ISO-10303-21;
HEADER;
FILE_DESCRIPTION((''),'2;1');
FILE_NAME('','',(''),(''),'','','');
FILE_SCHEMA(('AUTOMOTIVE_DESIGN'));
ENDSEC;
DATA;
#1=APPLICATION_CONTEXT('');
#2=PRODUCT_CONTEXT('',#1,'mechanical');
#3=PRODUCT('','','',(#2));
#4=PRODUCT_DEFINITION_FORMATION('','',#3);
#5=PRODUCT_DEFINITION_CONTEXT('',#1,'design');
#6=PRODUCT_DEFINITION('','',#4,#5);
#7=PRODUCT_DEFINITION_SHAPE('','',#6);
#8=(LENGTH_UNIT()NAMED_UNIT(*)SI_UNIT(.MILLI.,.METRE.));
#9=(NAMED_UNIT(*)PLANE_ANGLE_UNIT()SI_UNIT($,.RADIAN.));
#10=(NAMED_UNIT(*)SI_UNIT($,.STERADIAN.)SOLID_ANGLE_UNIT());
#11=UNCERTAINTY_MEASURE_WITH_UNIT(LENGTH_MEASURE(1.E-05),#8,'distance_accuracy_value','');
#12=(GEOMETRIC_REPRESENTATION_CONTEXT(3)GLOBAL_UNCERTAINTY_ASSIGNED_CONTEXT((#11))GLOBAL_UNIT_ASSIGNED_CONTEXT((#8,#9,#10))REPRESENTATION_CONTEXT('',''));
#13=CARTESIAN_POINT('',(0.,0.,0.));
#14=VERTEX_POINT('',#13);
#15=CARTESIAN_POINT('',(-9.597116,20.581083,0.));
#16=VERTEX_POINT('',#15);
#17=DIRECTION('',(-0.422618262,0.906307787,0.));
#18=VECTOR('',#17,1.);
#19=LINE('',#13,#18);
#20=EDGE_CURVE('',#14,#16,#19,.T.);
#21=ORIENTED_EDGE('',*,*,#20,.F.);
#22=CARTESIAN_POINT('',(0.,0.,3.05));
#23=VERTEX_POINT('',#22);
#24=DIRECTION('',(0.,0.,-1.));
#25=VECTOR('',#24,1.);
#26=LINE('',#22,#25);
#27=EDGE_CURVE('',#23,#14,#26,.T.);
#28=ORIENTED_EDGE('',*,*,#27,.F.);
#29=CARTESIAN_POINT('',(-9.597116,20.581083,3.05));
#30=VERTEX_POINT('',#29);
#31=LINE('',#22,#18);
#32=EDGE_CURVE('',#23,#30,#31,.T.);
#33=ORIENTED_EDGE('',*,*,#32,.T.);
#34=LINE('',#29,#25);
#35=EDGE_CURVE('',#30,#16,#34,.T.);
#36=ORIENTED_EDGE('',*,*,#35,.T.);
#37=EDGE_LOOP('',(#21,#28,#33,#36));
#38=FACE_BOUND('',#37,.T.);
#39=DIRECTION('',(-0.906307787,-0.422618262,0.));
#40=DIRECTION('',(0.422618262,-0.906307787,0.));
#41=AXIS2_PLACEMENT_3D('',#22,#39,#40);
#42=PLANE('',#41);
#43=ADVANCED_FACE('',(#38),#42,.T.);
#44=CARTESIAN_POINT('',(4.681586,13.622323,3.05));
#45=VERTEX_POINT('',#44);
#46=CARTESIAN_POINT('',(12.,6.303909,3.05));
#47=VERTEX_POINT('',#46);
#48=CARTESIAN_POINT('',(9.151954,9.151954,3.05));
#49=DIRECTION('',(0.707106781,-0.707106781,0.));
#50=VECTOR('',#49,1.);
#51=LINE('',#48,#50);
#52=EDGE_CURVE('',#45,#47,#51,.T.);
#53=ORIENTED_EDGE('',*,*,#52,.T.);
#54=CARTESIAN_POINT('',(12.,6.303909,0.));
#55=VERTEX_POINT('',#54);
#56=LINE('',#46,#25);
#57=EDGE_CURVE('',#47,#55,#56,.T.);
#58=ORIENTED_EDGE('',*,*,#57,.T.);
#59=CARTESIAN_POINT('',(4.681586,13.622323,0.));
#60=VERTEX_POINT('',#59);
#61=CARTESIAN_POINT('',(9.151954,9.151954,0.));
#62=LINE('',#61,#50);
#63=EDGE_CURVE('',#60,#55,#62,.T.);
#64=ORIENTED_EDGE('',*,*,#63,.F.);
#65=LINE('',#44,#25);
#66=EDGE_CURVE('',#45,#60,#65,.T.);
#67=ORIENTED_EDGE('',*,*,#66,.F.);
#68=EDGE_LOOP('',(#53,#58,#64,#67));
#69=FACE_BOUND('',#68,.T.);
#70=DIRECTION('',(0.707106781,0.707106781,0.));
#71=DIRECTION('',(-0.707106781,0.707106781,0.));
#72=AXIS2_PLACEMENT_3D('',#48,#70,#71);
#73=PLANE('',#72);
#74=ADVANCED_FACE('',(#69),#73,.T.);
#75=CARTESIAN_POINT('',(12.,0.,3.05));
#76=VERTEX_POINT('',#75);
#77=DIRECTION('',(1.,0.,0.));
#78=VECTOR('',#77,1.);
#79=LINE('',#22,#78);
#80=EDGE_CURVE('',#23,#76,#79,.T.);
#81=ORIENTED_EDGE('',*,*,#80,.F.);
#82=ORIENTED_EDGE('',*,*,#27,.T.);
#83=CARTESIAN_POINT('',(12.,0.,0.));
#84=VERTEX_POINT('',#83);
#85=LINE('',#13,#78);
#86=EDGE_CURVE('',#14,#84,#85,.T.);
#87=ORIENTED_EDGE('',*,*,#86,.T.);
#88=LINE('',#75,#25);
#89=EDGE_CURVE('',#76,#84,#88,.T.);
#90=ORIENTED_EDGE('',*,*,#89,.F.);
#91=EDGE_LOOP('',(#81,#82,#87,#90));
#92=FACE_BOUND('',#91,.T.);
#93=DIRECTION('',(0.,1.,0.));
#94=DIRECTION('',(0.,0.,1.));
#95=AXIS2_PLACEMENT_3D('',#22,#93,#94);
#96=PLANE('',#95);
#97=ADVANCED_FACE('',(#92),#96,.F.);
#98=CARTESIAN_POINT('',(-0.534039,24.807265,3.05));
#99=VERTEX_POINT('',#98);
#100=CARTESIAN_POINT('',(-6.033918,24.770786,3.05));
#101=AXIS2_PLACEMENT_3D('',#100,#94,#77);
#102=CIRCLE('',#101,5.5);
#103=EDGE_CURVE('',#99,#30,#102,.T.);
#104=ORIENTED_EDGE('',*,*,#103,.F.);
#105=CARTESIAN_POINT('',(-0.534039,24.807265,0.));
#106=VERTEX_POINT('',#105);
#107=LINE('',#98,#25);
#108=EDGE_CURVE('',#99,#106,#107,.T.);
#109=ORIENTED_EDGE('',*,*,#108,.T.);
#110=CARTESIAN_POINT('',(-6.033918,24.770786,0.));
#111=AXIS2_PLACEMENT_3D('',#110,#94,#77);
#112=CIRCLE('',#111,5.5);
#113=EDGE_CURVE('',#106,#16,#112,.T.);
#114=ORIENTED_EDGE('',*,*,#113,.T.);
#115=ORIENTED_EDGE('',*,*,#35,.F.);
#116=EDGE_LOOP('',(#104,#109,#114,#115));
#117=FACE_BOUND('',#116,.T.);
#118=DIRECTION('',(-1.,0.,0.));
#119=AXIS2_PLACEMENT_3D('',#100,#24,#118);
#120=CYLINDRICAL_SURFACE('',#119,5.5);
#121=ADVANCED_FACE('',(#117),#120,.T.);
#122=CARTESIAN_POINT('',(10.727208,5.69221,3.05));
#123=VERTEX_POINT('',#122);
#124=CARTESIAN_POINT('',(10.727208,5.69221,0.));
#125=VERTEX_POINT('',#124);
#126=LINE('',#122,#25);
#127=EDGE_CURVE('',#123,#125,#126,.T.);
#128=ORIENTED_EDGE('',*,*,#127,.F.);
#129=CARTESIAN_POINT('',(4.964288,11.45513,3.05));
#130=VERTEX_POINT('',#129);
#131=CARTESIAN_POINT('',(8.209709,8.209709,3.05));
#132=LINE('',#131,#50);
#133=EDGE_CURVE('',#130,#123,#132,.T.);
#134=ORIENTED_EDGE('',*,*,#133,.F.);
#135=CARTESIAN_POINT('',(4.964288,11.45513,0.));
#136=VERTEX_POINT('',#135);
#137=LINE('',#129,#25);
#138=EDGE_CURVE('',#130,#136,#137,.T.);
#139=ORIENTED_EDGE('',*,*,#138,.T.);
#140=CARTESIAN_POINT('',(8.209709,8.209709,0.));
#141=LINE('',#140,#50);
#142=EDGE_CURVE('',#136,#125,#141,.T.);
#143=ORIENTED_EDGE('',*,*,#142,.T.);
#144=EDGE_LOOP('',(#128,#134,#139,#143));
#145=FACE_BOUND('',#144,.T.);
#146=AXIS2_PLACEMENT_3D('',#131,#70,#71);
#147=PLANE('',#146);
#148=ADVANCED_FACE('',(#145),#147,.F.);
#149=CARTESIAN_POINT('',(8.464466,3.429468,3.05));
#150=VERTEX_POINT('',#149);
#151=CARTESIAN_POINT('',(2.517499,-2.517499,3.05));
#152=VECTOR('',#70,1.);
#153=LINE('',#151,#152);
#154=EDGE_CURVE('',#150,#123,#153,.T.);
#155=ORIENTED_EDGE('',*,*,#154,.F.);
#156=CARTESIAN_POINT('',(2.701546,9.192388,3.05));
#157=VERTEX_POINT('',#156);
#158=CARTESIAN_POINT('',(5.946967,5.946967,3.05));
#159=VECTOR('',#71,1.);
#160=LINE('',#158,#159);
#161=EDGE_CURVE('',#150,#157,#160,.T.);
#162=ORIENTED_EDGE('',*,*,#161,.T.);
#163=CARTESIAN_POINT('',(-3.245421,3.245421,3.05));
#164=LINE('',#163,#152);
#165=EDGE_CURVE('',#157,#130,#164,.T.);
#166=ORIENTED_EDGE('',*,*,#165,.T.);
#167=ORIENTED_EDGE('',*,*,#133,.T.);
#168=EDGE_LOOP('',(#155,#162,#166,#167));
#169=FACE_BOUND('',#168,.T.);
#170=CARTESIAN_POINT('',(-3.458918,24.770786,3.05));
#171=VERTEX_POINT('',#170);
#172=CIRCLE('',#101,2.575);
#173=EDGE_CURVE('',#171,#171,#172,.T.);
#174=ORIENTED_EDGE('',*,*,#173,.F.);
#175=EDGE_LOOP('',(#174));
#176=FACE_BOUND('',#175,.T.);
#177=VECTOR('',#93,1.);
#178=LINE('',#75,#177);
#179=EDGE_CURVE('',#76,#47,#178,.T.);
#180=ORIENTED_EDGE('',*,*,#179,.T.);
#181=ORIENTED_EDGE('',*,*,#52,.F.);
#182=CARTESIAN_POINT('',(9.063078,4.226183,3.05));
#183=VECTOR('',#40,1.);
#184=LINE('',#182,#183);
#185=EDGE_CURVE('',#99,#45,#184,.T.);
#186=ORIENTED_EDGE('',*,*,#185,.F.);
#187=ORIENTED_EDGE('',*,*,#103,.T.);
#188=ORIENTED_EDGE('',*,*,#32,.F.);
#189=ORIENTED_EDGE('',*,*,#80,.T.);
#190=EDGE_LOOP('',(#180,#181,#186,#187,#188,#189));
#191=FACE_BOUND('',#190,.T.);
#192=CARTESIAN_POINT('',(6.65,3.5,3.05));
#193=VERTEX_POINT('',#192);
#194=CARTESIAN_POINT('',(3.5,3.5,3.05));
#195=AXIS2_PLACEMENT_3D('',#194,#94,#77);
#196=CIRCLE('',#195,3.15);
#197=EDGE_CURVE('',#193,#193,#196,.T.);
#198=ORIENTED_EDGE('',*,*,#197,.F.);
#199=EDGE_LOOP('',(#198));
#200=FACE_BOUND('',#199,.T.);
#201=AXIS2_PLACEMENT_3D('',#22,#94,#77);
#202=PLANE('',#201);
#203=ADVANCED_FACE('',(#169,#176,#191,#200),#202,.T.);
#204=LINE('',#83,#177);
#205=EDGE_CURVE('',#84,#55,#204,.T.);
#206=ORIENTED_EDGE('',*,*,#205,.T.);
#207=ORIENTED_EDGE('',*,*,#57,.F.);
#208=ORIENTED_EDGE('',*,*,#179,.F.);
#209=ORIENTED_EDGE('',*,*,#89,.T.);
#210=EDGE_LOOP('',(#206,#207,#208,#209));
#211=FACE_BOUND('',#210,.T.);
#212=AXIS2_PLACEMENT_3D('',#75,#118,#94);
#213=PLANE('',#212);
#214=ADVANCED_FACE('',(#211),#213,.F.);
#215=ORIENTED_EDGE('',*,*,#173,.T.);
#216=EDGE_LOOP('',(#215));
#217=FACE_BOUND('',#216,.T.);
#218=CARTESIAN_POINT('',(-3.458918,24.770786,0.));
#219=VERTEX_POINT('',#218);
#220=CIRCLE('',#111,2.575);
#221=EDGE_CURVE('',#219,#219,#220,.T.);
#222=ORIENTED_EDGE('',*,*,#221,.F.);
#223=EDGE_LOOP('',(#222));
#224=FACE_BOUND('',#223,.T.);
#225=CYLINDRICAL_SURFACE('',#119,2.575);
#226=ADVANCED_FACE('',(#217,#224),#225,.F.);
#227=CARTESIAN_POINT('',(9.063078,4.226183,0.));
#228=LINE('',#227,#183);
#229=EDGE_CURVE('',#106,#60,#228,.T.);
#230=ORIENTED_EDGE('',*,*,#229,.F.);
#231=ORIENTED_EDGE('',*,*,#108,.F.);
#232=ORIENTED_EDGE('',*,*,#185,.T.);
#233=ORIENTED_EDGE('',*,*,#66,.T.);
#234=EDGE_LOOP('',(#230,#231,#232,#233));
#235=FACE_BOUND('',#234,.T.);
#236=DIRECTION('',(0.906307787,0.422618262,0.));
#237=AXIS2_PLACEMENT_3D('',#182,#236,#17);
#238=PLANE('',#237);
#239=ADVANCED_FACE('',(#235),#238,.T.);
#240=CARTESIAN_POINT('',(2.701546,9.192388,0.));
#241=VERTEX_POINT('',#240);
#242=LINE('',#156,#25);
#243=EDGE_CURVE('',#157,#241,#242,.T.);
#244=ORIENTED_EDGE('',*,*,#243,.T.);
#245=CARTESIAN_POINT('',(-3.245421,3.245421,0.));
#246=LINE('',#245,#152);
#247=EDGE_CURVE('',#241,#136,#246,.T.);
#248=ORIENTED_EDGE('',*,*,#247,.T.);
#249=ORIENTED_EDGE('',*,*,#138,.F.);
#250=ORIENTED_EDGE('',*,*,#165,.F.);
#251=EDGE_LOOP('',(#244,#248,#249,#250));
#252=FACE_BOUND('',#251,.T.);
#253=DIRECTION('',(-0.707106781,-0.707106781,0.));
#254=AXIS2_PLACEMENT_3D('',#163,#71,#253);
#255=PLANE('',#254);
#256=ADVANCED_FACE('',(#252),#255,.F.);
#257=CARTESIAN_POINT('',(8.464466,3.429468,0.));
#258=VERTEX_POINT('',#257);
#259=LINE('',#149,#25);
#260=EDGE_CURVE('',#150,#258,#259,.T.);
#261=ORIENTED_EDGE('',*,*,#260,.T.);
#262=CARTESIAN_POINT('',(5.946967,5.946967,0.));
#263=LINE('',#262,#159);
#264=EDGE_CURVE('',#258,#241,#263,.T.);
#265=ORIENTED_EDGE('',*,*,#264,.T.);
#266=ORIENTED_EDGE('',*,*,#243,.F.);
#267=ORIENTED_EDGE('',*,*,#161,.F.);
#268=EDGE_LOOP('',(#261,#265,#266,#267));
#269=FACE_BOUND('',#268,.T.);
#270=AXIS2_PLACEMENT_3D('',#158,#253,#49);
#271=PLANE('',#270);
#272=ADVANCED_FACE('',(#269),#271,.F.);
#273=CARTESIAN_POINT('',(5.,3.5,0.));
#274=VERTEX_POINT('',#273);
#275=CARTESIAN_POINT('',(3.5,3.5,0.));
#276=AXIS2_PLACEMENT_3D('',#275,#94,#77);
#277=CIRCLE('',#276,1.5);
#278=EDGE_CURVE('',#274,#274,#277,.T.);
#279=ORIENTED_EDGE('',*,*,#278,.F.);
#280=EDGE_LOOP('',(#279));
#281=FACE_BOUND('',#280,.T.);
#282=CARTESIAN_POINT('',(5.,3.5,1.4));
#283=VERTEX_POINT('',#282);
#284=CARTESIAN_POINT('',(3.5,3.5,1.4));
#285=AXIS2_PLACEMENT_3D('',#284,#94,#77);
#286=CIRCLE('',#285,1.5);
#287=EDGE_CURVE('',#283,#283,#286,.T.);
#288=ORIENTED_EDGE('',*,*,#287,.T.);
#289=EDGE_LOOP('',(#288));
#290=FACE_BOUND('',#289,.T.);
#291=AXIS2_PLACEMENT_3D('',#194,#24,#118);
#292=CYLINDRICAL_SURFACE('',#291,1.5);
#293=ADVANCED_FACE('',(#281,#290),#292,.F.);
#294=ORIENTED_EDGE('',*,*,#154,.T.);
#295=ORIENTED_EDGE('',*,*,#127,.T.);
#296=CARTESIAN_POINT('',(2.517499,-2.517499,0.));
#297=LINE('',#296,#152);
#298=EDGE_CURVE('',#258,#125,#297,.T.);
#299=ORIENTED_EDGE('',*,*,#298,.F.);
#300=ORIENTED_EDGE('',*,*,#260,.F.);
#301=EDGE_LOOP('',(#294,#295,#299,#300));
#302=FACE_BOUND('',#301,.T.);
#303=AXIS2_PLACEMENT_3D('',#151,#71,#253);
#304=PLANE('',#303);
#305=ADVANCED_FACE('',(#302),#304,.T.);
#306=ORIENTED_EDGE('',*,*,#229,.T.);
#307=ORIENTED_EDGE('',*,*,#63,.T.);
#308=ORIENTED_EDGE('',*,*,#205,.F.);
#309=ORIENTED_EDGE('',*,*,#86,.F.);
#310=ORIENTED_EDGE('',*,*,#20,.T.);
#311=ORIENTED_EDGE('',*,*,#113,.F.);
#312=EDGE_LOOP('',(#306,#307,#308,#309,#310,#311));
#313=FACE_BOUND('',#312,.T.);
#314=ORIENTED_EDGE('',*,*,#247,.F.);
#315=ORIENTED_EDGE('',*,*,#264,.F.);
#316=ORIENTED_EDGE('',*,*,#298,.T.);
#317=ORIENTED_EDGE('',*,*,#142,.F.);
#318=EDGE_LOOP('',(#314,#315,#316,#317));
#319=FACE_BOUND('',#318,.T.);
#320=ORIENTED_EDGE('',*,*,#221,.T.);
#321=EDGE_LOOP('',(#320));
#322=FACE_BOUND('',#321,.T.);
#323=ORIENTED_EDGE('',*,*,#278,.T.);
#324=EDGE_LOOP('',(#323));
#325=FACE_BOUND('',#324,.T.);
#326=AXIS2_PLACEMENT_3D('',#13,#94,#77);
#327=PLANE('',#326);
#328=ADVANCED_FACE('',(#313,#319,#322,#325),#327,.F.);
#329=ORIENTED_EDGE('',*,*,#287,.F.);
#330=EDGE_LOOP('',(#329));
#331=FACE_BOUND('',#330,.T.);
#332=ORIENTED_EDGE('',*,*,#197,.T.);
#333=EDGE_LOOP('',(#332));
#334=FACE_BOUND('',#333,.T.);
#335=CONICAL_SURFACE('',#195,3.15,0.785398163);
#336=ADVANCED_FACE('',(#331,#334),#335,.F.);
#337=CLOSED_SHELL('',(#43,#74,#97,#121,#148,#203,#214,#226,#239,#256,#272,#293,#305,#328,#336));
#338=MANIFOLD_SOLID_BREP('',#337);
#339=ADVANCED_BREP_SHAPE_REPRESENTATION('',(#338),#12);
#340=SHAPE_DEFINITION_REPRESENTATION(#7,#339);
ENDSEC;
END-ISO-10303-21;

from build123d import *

# Parameters (mm, degrees)
SKETCH1_R           = 2.575
BOSS_EXTRUDE1_DEPTH = 3.05


with BuildPart() as part:
    # Sketch1 → Boss-Extrude1 (new body)
    with BuildSketch(Plane.XY):
        with BuildLine():
            Line((0, 0), (12, 0))
            Line((12, 0), (12, 6.303908615))
            Line((12, 6.303908615), (4.681585686, 13.62232293))
            Line((4.681585686, 13.62232293), (-0.534038586, 24.807265275))
            ThreePointArc((-0.534038586, 24.807265275), (-8.358318048, 29.755478813), (-9.597116456, 20.581082657))
            Line((-9.597116456, 20.581082657), (0, 0))
        make_face()
        Polygon((10.727207794, 5.692209589), (8.464466094, 3.429467889), (2.701545827, 9.192388155), (4.964287527, 11.455129855), align=None, mode=Mode.SUBTRACT)
        with BuildLine():
            ThreePointArc((2, 3.5), (4.560660172, 4.560660172), (3.5, 2))
            Line((3.5, 2), (3.5, 3.5))
            Line((3.5, 3.5), (2, 3.5))
        make_face(mode=Mode.SUBTRACT)
        with Locations((-6.033917608, 24.770785985)):
            Circle(SKETCH1_R, mode=Mode.SUBTRACT)
    extrude(amount=BOSS_EXTRUDE1_DEPTH)

    # Sketch3 → CSK for M3 Flat Head Machine Screw1 (revolve, cut)
    with BuildSketch(Plane(origin=(3.5, 3.5, 3.05), x_dir=(0, -1, 0), z_dir=(1, 0, 0))):
        Polygon((0, 0), (0, 3.05), (1.5, 3.05), (1.5, 1.65), (3.15, 0), align=None)
    revolve(axis=Axis((3.5, 3.5, 9.4), (0, 0, -1)), mode=Mode.SUBTRACT)


solid = part.part
